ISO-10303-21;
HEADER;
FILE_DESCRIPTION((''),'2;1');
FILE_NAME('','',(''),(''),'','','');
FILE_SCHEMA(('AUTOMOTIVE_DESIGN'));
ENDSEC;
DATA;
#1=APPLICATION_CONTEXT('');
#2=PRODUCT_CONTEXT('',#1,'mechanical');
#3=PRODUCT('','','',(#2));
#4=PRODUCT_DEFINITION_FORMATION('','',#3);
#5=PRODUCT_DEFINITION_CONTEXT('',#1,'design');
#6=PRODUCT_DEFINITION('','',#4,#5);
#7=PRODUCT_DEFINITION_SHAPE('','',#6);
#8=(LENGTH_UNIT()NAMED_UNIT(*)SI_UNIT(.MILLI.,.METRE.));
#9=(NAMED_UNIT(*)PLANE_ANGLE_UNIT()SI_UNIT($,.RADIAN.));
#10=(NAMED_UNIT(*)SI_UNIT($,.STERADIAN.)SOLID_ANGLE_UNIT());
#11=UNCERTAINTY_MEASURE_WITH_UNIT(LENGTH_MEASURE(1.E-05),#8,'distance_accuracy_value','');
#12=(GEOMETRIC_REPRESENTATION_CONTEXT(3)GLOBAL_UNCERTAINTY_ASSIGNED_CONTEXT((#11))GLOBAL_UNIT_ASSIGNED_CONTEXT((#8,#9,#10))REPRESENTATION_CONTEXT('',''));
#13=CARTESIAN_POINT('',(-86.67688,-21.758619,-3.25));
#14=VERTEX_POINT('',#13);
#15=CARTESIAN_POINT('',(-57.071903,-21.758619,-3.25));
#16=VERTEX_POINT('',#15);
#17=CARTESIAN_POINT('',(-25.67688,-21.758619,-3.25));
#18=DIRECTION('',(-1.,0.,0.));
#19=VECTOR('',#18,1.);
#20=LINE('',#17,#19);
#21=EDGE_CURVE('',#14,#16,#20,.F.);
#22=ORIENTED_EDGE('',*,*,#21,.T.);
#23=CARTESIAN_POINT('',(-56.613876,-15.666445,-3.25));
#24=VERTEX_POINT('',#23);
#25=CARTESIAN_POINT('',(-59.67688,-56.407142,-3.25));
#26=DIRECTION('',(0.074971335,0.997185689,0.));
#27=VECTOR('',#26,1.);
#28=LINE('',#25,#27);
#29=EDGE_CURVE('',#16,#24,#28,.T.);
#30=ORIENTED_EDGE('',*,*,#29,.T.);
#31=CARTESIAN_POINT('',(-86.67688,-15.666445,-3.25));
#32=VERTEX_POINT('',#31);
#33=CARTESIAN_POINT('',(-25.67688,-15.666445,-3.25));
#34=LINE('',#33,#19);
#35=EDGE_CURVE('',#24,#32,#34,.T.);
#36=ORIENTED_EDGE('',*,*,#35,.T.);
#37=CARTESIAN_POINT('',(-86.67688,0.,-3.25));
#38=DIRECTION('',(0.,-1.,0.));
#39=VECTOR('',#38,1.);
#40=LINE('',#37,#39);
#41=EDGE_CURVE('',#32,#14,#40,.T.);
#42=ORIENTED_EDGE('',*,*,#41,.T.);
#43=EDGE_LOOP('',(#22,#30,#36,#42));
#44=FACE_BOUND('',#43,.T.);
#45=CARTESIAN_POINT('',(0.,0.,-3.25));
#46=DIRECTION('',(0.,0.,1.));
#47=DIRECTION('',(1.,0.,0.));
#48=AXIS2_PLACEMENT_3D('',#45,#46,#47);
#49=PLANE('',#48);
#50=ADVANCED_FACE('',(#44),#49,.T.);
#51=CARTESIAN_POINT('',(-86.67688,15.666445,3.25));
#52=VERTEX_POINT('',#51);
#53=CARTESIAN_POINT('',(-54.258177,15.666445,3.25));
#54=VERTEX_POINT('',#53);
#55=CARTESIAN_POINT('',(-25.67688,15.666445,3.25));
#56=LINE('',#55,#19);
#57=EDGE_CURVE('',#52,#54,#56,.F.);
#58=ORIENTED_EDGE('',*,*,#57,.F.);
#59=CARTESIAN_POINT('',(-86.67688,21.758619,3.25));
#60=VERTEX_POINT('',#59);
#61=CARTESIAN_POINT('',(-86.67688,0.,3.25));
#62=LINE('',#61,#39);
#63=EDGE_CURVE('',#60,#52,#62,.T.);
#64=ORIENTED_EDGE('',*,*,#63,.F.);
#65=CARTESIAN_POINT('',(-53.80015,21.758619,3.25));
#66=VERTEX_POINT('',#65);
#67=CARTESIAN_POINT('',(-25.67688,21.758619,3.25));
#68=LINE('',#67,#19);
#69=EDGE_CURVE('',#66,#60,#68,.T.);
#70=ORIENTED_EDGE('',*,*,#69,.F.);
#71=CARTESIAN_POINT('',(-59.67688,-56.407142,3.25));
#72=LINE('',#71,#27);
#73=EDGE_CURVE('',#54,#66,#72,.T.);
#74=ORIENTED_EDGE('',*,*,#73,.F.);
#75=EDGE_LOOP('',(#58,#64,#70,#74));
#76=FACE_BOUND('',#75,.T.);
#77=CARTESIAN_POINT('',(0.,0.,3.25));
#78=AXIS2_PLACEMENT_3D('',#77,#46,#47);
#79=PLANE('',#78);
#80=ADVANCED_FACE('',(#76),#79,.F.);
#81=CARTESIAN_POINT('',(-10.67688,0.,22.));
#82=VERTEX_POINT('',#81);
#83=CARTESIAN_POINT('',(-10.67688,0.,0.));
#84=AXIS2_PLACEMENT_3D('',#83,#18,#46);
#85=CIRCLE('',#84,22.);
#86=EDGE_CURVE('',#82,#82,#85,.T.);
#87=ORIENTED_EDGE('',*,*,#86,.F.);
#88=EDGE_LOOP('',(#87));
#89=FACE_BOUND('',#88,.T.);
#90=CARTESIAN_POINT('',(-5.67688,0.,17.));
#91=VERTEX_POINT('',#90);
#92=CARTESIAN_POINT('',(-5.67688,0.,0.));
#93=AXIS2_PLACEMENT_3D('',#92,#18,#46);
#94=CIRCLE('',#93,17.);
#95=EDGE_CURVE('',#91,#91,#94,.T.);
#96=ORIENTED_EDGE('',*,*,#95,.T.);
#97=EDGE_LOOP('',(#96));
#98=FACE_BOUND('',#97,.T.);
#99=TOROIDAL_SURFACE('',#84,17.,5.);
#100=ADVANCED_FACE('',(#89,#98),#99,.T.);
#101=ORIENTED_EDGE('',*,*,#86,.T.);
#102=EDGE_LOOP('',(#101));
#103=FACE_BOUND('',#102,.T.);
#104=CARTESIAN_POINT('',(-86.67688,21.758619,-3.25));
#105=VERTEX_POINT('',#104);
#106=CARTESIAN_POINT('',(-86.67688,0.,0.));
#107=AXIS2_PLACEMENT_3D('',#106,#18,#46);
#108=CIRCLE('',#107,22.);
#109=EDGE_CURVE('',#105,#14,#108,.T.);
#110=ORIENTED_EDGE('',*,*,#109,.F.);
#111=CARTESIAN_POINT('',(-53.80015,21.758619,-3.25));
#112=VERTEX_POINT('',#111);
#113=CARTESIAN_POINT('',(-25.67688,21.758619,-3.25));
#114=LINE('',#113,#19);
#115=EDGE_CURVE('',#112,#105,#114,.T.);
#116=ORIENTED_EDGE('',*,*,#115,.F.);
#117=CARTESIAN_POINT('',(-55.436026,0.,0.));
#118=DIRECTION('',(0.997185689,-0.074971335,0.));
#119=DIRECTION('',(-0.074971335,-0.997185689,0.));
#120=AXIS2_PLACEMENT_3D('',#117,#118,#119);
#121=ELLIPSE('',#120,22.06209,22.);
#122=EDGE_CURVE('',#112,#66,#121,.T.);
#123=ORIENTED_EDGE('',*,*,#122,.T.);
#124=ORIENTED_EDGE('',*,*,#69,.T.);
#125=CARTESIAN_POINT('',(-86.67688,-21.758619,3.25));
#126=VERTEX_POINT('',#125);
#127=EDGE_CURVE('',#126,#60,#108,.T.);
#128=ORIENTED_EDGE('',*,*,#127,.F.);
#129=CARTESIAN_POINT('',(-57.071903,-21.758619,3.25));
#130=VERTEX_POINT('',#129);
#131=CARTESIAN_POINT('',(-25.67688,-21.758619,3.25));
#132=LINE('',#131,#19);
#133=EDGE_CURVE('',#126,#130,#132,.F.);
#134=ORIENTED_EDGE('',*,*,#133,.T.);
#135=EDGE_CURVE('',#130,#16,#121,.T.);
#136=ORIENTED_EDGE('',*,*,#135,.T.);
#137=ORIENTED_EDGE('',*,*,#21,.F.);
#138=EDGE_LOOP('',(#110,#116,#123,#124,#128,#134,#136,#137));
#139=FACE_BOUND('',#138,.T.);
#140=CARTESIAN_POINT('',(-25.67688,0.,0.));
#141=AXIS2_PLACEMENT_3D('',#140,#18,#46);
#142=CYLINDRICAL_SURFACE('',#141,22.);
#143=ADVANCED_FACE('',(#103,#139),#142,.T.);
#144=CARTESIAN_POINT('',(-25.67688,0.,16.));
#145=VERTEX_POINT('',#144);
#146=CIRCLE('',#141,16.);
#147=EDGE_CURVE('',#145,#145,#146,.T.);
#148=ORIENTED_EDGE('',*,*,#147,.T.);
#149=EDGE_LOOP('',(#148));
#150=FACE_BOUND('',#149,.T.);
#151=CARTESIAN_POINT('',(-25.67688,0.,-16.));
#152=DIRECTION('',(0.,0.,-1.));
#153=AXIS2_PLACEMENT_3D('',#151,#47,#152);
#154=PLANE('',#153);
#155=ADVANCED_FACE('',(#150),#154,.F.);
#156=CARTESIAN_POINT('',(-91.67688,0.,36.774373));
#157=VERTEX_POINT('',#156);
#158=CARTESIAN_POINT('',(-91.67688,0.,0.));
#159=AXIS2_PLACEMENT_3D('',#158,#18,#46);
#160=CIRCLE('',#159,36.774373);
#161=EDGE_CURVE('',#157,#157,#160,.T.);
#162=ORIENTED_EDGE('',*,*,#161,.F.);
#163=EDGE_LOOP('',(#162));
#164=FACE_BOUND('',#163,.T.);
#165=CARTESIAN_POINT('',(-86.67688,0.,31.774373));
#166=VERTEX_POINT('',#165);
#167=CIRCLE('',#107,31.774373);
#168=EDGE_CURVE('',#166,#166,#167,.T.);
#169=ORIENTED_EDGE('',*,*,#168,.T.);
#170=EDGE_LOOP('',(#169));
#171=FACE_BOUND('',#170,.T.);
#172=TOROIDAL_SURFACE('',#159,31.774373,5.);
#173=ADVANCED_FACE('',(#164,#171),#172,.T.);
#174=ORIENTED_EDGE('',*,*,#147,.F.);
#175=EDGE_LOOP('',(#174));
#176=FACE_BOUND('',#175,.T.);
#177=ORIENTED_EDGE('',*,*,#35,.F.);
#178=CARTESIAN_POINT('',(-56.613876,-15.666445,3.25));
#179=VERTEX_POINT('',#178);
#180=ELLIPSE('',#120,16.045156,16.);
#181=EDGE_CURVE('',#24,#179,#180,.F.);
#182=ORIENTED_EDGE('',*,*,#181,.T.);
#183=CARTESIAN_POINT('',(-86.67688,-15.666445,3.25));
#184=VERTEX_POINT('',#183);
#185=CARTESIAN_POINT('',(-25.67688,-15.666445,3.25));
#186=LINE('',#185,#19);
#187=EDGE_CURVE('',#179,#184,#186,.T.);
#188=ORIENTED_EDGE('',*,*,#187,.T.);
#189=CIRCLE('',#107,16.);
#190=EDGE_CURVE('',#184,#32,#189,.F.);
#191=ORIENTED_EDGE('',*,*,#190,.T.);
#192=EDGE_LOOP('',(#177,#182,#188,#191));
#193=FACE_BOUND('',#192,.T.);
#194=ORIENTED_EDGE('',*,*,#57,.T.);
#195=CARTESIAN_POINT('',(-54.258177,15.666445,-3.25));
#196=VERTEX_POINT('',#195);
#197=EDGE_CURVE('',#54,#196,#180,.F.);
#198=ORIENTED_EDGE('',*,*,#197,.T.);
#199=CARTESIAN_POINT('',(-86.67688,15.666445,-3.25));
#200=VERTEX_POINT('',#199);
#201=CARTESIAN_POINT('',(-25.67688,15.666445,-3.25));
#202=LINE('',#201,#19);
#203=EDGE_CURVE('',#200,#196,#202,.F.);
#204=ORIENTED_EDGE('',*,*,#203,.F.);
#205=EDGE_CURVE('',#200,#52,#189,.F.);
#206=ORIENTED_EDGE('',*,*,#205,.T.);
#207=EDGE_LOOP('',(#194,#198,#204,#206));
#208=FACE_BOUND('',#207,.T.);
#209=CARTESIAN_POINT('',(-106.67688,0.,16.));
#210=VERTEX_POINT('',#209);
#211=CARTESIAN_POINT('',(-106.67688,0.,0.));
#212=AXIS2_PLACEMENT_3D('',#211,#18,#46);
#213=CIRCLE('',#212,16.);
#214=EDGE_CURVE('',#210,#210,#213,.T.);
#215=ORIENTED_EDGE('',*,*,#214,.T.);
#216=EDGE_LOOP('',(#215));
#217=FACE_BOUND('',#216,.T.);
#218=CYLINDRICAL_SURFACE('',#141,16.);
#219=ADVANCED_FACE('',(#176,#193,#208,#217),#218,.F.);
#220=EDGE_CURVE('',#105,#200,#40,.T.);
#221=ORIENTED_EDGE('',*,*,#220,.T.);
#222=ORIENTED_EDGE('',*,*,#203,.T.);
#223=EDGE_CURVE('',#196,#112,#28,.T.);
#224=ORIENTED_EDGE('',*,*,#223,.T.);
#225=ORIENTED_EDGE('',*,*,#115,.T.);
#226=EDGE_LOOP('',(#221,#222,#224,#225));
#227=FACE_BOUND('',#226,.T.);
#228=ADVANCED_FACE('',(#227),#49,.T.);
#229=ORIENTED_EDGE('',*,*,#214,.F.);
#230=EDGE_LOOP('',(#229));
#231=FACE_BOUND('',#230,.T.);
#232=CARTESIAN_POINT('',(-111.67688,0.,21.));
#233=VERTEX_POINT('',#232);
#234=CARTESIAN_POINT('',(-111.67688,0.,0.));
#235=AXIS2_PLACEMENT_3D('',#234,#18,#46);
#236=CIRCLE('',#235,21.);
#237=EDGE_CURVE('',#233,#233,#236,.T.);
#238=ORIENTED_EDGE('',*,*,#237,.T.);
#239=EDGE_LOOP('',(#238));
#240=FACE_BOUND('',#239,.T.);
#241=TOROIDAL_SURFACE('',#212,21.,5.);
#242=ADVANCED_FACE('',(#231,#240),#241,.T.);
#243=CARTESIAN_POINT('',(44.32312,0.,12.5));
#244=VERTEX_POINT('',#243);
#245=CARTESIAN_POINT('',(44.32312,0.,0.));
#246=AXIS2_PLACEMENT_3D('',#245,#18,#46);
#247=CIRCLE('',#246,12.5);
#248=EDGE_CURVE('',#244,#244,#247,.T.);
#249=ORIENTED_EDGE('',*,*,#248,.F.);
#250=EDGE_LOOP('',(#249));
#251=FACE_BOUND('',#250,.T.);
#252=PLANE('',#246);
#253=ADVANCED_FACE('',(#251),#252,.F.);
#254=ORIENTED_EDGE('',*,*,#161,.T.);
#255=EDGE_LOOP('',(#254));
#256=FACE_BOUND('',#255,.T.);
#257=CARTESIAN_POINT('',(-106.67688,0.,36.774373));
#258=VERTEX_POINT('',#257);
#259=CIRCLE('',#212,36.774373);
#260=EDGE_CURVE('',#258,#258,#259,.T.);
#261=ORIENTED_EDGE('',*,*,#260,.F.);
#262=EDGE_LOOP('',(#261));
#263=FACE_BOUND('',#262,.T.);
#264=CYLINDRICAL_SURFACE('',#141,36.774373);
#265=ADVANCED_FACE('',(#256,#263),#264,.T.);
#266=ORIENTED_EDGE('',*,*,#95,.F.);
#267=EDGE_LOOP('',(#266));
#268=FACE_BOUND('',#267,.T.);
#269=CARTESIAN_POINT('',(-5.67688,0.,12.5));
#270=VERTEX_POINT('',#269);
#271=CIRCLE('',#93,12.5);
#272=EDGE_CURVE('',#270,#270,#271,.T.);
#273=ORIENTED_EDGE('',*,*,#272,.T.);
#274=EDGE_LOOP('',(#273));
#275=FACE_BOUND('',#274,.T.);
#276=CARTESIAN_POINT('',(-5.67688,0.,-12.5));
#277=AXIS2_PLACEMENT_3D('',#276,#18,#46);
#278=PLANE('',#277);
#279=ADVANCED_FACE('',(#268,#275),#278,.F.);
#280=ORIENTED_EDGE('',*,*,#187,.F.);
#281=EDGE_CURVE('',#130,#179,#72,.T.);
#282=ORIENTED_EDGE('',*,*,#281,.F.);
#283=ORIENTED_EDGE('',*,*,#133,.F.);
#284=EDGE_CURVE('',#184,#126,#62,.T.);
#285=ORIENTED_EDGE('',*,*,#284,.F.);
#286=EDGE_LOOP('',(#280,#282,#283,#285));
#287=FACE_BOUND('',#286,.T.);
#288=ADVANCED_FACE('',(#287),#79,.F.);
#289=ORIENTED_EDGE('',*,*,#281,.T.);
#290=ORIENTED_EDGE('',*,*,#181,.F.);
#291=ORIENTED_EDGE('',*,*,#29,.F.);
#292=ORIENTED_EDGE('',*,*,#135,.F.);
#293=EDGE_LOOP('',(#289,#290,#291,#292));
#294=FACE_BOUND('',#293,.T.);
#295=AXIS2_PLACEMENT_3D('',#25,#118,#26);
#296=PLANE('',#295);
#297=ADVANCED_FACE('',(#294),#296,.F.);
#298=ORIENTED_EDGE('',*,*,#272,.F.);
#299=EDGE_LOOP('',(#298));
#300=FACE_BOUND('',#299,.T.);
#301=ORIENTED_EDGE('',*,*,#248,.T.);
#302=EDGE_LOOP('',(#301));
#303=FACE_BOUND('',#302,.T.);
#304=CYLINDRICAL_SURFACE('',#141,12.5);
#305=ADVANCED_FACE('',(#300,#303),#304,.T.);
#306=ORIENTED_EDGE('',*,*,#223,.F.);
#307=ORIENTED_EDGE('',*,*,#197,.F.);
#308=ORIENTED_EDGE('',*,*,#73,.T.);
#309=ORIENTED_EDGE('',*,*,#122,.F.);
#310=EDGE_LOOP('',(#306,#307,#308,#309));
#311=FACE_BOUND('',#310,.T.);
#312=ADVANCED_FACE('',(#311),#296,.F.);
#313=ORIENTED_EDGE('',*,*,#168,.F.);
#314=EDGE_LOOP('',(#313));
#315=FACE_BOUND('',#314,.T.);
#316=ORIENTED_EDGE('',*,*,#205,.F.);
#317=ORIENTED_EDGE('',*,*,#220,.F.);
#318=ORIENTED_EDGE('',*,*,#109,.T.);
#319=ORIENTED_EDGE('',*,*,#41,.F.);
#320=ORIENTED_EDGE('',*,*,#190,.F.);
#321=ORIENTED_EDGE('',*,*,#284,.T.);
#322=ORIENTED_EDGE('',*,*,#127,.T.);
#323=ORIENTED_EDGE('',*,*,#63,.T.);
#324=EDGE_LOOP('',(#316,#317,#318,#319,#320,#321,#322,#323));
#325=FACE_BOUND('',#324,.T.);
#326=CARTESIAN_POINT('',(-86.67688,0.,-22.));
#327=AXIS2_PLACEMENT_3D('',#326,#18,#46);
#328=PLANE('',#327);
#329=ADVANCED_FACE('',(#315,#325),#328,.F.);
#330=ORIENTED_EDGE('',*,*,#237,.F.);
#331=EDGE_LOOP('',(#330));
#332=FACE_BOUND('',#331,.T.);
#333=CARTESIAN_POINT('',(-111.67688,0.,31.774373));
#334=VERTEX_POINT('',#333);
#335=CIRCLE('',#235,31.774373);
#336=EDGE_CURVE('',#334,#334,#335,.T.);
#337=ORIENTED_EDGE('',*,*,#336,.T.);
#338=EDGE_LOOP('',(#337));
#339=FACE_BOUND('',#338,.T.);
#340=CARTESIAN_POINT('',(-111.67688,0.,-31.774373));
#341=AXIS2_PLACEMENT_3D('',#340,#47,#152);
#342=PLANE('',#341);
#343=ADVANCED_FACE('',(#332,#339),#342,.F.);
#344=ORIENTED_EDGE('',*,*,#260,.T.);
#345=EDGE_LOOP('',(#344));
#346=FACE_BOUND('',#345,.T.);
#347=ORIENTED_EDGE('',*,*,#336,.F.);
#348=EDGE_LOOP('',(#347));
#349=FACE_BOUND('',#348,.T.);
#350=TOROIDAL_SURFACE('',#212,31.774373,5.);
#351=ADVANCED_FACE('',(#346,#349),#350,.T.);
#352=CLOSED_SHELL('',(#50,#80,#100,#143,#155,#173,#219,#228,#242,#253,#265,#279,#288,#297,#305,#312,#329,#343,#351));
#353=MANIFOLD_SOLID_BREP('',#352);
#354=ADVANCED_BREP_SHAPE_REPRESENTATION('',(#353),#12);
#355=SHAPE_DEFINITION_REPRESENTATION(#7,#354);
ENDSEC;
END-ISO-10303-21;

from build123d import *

# Parameters (mm, degrees)
CUT_EXTRUDE1_DEPTH = 3.25


with BuildPart() as part:
    # Sketch1 → Revolve3 (revolve)
    with BuildSketch(Plane(origin=(0, 0, 0), x_dir=(1, 0, 0), z_dir=(0, 1, 0)), mode=Mode.PRIVATE) as revolve3_sk:
        with BuildLine():
            Line((-25.676880223, 0), (44.323119777, 0))
            Line((44.323119777, 0), (44.323119777, 12.5))
            Line((44.323119777, 12.5), (-5.676880223, 12.5))
            Line((-5.676880223, 12.5), (-5.676880223, 17))
            ThreePointArc((-5.676880223, 17), (-7.141346317, 20.535533906), (-10.676880223, 22))
            Line((-10.676880223, 22), (-86.676880223, 22))
            Line((-86.676880223, 22), (-86.676880223, 31.774373259))
            ThreePointArc((-86.676880223, 31.774373259), (-88.141346317, 35.309907165), (-91.676880223, 36.774373259))
            Line((-91.676880223, 36.774373259), (-106.676880223, 36.774373259))
            ThreePointArc((-106.676880223, 36.774373259), (-110.212414129, 35.309907165), (-111.676880223, 31.774373259))
            Line((-111.676880223, 31.774373259), (-111.676880223, 21))
            ThreePointArc((-111.676880223, 21), (-110.212414129, 17.464466094), (-106.676880223, 16))
            Line((-106.676880223, 16), (-25.676880223, 16))
            Line((-25.676880223, 16), (-25.676880223, 0))
        make_face()
    revolve(revolve3_sk.sketch.rotate(Axis((-25.676880223, 0, 0), (1, 0, 0)), 180), axis=Axis((-25.676880223, 0, 0), (1, 0, 0)))

    # Sketch3 → Cut-Extrude1 (cut, symmetric)
    with BuildSketch(Plane.XY):
        Polygon((-86.676880223, 0), (-86.676880223, 50), (-51.676880223, 50), (-59.676880223, -56.407142019), (-86.676880223, -56.407142019), align=None)
    extrude(amount=CUT_EXTRUDE1_DEPTH, both=True, mode=Mode.SUBTRACT)


solid = part.part
